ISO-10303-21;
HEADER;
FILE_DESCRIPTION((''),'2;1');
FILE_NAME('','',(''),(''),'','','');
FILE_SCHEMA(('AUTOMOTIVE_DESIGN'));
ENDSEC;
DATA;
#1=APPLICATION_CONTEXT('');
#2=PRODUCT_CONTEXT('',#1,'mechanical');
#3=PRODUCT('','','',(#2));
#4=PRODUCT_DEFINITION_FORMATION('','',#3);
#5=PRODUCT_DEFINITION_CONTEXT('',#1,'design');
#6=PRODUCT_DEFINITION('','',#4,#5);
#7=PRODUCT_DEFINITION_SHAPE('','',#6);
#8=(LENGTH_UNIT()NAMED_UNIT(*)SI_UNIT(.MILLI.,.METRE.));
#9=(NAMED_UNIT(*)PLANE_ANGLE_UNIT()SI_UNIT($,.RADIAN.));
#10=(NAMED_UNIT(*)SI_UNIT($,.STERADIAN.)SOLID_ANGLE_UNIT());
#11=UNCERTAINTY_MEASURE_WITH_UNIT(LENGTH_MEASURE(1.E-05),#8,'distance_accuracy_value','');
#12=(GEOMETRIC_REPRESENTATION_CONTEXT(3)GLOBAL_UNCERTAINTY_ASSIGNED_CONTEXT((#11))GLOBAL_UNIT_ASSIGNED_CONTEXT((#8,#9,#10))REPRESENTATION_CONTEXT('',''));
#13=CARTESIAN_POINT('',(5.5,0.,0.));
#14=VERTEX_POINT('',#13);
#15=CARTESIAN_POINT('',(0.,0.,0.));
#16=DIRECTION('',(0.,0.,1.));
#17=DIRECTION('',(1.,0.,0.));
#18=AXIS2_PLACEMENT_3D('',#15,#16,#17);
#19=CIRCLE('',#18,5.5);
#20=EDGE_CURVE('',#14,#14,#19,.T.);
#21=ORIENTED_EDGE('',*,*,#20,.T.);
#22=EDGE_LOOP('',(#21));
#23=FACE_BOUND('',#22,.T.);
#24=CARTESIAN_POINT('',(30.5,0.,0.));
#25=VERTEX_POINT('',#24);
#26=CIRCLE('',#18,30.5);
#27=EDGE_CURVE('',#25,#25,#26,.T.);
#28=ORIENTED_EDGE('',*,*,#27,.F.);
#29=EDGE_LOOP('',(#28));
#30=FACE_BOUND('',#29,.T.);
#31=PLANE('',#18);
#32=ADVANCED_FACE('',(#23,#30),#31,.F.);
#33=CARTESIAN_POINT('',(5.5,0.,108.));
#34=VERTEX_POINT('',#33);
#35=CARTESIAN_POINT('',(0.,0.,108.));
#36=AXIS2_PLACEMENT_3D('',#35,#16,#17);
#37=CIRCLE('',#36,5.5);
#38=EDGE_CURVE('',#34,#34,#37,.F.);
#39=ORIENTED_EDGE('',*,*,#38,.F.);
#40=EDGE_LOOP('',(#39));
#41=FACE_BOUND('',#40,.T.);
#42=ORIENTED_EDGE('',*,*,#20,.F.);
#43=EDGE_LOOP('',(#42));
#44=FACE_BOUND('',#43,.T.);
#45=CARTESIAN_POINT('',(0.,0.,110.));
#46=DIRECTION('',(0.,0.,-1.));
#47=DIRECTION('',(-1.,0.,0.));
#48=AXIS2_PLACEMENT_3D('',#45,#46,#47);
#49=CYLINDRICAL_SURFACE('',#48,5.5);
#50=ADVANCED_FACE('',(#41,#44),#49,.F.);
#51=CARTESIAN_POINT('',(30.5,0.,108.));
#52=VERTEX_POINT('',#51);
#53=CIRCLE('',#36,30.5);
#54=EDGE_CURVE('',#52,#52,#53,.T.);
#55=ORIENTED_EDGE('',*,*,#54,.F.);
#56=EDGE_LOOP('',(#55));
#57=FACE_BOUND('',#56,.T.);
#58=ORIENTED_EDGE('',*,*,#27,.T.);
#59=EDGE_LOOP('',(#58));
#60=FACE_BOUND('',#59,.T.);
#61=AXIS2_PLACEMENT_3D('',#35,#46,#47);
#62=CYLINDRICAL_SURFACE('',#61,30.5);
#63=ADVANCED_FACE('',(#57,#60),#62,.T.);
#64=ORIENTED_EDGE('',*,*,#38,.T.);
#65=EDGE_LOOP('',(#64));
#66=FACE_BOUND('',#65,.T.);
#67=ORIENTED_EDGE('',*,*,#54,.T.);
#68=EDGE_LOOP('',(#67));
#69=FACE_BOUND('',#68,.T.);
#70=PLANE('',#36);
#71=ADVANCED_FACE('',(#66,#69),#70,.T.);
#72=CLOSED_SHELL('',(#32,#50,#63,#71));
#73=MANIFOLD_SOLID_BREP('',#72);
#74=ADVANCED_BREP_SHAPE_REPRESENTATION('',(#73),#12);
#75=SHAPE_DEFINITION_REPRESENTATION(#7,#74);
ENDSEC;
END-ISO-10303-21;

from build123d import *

# Parameters (mm, degrees)
SKETCH1_R           = 30.5
BOSS_EXTRUDE1_DEPTH = 108
SKETCH2_R           = 5.5
CUT_EXTRUDE1_DEPTH  = 110


with BuildPart() as part:
    # Sketch1 → Boss-Extrude1 (new body)
    with BuildSketch(Plane.XY):
        Circle(SKETCH1_R)
    extrude(amount=BOSS_EXTRUDE1_DEPTH)

    # Sketch2 → Cut-Extrude1 (cut)
    with BuildSketch(Plane.XY):
        Circle(SKETCH2_R)
    extrude(amount=CUT_EXTRUDE1_DEPTH, mode=Mode.SUBTRACT)


solid = part.part
